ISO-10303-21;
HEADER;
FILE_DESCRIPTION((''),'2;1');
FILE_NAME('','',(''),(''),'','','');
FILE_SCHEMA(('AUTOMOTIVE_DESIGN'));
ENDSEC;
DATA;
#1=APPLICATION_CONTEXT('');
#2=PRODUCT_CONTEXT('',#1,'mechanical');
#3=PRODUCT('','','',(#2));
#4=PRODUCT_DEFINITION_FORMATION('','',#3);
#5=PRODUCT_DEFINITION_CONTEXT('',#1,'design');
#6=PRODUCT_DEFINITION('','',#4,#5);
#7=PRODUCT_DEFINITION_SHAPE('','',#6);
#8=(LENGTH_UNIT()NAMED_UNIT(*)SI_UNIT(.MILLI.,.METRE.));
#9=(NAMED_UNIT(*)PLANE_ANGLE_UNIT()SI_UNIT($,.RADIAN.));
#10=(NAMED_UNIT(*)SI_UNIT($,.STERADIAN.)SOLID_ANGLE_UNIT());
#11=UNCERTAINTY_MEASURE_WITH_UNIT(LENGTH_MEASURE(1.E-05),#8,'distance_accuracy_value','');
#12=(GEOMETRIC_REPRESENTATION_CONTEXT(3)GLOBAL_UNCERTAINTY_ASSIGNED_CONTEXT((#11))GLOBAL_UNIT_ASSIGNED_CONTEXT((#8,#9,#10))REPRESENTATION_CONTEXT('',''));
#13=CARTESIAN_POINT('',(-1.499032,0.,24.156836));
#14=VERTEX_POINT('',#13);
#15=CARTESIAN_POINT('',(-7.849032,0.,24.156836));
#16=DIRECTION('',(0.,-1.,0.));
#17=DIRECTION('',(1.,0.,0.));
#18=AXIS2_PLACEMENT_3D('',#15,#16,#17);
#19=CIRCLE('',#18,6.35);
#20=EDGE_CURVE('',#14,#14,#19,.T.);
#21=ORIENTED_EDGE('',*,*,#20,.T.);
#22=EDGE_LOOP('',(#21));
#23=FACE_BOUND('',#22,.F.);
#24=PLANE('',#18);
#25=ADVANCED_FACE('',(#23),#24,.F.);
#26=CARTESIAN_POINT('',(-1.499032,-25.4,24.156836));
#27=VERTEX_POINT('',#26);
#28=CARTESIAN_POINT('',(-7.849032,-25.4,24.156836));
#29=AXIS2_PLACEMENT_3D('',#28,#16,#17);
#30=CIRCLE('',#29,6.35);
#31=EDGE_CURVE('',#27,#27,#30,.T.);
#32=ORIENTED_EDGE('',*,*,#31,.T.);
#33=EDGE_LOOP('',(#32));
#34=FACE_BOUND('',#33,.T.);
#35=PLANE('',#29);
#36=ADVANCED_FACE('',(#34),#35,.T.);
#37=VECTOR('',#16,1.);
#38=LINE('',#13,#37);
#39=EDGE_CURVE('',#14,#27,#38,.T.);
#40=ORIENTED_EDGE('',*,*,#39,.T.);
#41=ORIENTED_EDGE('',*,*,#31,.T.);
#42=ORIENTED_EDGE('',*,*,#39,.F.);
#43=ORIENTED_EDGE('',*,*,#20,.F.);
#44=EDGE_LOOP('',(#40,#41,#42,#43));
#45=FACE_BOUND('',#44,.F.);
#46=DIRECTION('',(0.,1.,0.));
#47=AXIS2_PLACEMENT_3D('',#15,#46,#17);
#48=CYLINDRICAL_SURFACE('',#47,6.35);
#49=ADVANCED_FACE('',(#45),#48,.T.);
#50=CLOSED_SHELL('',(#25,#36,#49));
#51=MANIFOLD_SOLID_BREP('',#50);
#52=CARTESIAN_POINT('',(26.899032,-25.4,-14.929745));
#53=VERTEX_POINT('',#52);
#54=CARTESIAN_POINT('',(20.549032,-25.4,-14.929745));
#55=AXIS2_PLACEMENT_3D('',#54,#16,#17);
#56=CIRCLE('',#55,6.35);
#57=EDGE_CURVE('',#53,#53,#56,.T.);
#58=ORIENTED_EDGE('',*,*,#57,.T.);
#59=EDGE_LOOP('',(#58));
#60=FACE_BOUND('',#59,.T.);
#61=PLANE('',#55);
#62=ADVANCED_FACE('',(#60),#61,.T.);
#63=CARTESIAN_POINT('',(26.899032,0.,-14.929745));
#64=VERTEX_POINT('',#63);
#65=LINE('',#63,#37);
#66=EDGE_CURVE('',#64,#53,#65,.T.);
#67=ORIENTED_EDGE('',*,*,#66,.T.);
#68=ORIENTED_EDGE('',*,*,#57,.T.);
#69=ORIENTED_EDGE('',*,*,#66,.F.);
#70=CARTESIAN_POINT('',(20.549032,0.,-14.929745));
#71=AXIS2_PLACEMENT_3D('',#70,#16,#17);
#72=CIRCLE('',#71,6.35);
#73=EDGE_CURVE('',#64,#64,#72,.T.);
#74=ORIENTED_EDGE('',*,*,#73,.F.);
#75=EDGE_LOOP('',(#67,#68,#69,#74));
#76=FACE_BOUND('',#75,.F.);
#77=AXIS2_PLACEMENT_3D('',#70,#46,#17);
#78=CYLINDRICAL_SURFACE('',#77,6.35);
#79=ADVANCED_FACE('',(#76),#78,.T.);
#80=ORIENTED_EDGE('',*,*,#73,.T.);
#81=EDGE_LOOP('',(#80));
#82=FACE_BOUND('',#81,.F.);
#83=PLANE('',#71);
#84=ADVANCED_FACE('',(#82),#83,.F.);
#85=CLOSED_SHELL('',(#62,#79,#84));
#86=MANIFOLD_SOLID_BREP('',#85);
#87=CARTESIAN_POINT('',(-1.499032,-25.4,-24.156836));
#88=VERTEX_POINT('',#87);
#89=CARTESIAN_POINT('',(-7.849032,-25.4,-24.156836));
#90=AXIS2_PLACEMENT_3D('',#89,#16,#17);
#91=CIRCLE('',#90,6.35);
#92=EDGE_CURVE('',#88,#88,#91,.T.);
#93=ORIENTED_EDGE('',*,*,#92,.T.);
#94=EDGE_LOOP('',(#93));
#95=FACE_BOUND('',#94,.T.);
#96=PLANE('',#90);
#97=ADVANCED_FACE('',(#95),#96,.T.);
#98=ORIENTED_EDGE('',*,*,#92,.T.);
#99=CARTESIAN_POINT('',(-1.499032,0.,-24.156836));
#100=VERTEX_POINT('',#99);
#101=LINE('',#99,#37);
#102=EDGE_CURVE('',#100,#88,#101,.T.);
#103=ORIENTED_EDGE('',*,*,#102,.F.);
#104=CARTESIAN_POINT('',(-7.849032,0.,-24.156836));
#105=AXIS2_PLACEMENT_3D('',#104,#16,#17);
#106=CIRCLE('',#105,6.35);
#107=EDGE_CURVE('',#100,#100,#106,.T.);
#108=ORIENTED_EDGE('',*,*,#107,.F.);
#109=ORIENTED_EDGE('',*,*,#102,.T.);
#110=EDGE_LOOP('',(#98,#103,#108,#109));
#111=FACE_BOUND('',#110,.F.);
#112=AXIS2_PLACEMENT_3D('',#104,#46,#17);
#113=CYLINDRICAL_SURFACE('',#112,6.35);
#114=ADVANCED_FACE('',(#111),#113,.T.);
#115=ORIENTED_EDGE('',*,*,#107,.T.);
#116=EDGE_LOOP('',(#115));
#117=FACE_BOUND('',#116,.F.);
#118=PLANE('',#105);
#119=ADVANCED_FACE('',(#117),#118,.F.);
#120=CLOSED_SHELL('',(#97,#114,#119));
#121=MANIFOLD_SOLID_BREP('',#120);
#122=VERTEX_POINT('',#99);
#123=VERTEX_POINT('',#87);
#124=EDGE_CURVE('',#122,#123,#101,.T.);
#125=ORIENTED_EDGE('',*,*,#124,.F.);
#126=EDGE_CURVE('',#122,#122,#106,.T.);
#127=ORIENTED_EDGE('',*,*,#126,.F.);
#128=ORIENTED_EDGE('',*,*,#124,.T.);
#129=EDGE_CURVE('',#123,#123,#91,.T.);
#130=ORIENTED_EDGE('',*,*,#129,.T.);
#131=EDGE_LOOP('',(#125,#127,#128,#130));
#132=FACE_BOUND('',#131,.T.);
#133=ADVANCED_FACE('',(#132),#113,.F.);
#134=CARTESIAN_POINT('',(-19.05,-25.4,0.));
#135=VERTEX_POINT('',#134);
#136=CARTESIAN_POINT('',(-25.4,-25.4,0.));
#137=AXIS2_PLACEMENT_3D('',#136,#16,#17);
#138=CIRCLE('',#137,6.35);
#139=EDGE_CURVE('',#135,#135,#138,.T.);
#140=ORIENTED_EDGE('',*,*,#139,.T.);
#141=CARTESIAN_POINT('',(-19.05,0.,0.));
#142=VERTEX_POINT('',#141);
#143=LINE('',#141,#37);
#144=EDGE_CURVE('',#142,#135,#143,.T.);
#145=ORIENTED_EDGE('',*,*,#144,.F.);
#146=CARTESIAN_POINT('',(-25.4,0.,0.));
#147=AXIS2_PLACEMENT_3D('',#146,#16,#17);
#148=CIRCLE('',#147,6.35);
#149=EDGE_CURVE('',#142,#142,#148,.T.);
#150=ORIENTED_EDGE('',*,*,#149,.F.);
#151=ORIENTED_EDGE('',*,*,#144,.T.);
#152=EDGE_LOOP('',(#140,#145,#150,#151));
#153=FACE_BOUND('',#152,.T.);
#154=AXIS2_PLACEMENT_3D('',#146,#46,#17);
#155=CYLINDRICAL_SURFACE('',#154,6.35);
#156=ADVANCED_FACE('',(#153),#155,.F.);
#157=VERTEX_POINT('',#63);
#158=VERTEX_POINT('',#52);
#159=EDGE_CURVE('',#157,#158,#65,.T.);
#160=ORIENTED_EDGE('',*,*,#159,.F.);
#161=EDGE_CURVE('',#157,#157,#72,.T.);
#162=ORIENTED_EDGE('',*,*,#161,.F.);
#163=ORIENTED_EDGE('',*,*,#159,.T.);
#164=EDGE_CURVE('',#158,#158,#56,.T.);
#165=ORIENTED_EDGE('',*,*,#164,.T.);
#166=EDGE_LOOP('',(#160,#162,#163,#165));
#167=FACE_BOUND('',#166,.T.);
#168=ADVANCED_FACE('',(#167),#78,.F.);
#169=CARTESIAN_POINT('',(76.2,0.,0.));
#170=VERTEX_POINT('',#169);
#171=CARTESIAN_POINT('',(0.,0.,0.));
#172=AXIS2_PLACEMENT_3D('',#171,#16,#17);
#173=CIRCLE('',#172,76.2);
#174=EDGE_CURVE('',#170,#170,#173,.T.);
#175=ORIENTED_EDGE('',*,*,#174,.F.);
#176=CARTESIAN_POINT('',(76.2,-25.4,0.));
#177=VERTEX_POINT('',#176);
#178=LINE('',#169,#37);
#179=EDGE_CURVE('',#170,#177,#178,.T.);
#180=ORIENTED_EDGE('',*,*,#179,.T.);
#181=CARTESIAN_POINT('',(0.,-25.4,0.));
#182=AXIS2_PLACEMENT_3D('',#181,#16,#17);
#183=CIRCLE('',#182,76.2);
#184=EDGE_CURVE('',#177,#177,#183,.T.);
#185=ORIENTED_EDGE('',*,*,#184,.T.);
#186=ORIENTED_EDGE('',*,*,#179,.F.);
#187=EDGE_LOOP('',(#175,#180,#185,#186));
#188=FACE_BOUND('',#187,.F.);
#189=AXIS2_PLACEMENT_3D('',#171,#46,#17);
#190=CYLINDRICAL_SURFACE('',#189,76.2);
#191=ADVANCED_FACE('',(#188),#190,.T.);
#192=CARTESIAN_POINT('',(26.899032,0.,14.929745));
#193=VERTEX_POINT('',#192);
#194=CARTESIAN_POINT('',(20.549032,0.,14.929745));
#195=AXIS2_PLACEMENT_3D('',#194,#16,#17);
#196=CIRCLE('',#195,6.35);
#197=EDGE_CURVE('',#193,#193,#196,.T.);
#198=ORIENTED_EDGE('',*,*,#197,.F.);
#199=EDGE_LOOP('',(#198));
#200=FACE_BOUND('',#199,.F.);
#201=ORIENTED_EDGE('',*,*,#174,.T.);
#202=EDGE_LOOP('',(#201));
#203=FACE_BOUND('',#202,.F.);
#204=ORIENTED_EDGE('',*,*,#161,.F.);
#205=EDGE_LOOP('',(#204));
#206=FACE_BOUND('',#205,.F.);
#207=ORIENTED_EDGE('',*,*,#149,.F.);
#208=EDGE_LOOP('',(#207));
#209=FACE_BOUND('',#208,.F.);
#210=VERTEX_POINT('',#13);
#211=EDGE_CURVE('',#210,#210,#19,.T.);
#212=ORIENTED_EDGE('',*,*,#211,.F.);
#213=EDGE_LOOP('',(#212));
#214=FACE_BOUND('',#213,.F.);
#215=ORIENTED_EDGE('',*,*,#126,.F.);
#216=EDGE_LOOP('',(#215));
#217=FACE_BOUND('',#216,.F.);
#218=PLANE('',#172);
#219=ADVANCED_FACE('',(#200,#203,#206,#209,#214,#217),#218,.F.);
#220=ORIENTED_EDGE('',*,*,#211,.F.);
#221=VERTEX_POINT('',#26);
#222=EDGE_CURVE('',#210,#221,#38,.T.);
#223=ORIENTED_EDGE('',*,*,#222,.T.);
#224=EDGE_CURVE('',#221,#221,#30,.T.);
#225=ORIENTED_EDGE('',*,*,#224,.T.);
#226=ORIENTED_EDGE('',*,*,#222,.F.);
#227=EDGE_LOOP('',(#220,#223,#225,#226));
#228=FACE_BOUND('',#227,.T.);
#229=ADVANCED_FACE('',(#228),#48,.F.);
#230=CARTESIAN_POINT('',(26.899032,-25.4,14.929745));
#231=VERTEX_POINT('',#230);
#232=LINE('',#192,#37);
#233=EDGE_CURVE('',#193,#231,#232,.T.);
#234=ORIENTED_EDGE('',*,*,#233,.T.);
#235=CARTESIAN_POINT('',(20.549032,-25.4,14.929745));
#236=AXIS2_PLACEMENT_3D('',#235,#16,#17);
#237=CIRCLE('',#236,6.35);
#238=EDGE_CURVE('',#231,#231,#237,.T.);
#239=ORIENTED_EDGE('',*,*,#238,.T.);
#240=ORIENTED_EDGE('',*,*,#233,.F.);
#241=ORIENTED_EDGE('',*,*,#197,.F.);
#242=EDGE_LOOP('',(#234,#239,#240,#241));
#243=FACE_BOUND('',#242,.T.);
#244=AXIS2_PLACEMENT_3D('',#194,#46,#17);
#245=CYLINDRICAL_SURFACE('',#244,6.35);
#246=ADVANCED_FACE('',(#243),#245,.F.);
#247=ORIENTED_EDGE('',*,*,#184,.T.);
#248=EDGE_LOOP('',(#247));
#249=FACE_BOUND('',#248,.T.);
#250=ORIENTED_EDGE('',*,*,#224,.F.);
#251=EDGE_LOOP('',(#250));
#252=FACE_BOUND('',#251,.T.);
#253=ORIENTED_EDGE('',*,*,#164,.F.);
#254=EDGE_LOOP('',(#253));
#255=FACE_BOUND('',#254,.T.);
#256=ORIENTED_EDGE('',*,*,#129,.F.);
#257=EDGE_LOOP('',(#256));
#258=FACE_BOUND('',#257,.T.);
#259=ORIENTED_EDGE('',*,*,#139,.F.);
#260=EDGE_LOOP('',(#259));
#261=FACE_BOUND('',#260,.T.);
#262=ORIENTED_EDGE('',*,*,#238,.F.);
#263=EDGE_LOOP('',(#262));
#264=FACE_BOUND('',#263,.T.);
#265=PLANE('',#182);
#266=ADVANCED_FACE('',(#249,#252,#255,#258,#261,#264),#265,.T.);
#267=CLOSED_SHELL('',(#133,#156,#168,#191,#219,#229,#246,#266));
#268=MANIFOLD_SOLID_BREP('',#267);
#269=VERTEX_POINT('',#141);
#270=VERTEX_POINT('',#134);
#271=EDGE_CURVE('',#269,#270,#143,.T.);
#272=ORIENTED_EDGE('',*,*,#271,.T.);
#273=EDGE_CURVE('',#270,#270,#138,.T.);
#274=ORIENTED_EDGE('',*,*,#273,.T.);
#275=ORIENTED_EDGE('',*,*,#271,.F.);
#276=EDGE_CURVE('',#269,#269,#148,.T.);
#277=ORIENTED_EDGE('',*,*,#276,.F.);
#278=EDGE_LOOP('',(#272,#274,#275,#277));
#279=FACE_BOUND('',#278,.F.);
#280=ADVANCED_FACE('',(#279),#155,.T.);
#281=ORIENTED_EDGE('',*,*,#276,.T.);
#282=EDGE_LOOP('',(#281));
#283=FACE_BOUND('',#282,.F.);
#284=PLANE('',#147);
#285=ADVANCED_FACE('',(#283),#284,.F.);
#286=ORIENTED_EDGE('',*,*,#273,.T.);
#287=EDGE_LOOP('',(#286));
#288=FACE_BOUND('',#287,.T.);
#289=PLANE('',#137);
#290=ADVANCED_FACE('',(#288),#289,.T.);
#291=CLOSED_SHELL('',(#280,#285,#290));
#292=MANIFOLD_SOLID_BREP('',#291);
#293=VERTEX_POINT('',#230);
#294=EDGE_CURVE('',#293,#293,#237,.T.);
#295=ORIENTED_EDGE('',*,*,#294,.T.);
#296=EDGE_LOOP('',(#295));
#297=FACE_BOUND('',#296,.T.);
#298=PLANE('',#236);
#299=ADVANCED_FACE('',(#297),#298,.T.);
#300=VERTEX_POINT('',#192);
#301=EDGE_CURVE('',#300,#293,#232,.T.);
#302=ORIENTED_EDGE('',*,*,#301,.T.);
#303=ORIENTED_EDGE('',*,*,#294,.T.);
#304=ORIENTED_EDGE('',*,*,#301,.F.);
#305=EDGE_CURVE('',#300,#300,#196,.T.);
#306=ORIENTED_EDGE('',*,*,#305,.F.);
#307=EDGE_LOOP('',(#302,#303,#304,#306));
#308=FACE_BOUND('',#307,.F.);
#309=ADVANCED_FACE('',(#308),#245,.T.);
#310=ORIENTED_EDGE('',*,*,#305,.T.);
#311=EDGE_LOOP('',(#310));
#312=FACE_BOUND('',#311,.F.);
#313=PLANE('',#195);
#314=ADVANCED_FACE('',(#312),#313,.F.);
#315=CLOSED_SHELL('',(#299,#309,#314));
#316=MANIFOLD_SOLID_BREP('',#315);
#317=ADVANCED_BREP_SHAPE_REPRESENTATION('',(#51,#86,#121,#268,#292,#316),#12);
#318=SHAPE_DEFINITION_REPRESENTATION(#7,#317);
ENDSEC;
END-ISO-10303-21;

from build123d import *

# Parameters (mm, degrees)
F0_R     = 6.35
F1_DEPTH = 25.4
F0_R_2   = 76.2
F2_DEPTH = 25.4


with BuildPart() as f1:
    # F0 (on Front) → F1 (new body)
    with BuildSketch(Plane.XZ):
        with Locations((-7.849032, 24.156836)):
            Circle(F0_R)
        with Locations((-7.849032, -24.156836)):
            Circle(F0_R)
        with Locations((20.549032, 14.929745)):
            Circle(F0_R)
        with Locations((20.549032, -14.929745)):
            Circle(F0_R)
        with Locations((-25.4, 0)):
            Circle(F0_R)
    extrude(amount=F1_DEPTH)


with BuildPart() as f2:
    # F0 (on Front) → F2 (new body)
    with BuildSketch(Plane.XZ):
        Circle(F0_R_2)
        with Locations((-7.849032, -24.156836)):
            Circle(F0_R, mode=Mode.SUBTRACT)
        with Locations((20.549032, -14.929745)):
            Circle(F0_R, mode=Mode.SUBTRACT)
        with Locations((-25.4, 0)):
            Circle(F0_R, mode=Mode.SUBTRACT)
        with Locations((-7.849032, 24.156836)):
            Circle(F0_R, mode=Mode.SUBTRACT)
        with Locations((20.549032, 14.929745)):
            Circle(F0_R, mode=Mode.SUBTRACT)
    extrude(amount=F2_DEPTH)


solid = Compound([f1.part, f2.part])
